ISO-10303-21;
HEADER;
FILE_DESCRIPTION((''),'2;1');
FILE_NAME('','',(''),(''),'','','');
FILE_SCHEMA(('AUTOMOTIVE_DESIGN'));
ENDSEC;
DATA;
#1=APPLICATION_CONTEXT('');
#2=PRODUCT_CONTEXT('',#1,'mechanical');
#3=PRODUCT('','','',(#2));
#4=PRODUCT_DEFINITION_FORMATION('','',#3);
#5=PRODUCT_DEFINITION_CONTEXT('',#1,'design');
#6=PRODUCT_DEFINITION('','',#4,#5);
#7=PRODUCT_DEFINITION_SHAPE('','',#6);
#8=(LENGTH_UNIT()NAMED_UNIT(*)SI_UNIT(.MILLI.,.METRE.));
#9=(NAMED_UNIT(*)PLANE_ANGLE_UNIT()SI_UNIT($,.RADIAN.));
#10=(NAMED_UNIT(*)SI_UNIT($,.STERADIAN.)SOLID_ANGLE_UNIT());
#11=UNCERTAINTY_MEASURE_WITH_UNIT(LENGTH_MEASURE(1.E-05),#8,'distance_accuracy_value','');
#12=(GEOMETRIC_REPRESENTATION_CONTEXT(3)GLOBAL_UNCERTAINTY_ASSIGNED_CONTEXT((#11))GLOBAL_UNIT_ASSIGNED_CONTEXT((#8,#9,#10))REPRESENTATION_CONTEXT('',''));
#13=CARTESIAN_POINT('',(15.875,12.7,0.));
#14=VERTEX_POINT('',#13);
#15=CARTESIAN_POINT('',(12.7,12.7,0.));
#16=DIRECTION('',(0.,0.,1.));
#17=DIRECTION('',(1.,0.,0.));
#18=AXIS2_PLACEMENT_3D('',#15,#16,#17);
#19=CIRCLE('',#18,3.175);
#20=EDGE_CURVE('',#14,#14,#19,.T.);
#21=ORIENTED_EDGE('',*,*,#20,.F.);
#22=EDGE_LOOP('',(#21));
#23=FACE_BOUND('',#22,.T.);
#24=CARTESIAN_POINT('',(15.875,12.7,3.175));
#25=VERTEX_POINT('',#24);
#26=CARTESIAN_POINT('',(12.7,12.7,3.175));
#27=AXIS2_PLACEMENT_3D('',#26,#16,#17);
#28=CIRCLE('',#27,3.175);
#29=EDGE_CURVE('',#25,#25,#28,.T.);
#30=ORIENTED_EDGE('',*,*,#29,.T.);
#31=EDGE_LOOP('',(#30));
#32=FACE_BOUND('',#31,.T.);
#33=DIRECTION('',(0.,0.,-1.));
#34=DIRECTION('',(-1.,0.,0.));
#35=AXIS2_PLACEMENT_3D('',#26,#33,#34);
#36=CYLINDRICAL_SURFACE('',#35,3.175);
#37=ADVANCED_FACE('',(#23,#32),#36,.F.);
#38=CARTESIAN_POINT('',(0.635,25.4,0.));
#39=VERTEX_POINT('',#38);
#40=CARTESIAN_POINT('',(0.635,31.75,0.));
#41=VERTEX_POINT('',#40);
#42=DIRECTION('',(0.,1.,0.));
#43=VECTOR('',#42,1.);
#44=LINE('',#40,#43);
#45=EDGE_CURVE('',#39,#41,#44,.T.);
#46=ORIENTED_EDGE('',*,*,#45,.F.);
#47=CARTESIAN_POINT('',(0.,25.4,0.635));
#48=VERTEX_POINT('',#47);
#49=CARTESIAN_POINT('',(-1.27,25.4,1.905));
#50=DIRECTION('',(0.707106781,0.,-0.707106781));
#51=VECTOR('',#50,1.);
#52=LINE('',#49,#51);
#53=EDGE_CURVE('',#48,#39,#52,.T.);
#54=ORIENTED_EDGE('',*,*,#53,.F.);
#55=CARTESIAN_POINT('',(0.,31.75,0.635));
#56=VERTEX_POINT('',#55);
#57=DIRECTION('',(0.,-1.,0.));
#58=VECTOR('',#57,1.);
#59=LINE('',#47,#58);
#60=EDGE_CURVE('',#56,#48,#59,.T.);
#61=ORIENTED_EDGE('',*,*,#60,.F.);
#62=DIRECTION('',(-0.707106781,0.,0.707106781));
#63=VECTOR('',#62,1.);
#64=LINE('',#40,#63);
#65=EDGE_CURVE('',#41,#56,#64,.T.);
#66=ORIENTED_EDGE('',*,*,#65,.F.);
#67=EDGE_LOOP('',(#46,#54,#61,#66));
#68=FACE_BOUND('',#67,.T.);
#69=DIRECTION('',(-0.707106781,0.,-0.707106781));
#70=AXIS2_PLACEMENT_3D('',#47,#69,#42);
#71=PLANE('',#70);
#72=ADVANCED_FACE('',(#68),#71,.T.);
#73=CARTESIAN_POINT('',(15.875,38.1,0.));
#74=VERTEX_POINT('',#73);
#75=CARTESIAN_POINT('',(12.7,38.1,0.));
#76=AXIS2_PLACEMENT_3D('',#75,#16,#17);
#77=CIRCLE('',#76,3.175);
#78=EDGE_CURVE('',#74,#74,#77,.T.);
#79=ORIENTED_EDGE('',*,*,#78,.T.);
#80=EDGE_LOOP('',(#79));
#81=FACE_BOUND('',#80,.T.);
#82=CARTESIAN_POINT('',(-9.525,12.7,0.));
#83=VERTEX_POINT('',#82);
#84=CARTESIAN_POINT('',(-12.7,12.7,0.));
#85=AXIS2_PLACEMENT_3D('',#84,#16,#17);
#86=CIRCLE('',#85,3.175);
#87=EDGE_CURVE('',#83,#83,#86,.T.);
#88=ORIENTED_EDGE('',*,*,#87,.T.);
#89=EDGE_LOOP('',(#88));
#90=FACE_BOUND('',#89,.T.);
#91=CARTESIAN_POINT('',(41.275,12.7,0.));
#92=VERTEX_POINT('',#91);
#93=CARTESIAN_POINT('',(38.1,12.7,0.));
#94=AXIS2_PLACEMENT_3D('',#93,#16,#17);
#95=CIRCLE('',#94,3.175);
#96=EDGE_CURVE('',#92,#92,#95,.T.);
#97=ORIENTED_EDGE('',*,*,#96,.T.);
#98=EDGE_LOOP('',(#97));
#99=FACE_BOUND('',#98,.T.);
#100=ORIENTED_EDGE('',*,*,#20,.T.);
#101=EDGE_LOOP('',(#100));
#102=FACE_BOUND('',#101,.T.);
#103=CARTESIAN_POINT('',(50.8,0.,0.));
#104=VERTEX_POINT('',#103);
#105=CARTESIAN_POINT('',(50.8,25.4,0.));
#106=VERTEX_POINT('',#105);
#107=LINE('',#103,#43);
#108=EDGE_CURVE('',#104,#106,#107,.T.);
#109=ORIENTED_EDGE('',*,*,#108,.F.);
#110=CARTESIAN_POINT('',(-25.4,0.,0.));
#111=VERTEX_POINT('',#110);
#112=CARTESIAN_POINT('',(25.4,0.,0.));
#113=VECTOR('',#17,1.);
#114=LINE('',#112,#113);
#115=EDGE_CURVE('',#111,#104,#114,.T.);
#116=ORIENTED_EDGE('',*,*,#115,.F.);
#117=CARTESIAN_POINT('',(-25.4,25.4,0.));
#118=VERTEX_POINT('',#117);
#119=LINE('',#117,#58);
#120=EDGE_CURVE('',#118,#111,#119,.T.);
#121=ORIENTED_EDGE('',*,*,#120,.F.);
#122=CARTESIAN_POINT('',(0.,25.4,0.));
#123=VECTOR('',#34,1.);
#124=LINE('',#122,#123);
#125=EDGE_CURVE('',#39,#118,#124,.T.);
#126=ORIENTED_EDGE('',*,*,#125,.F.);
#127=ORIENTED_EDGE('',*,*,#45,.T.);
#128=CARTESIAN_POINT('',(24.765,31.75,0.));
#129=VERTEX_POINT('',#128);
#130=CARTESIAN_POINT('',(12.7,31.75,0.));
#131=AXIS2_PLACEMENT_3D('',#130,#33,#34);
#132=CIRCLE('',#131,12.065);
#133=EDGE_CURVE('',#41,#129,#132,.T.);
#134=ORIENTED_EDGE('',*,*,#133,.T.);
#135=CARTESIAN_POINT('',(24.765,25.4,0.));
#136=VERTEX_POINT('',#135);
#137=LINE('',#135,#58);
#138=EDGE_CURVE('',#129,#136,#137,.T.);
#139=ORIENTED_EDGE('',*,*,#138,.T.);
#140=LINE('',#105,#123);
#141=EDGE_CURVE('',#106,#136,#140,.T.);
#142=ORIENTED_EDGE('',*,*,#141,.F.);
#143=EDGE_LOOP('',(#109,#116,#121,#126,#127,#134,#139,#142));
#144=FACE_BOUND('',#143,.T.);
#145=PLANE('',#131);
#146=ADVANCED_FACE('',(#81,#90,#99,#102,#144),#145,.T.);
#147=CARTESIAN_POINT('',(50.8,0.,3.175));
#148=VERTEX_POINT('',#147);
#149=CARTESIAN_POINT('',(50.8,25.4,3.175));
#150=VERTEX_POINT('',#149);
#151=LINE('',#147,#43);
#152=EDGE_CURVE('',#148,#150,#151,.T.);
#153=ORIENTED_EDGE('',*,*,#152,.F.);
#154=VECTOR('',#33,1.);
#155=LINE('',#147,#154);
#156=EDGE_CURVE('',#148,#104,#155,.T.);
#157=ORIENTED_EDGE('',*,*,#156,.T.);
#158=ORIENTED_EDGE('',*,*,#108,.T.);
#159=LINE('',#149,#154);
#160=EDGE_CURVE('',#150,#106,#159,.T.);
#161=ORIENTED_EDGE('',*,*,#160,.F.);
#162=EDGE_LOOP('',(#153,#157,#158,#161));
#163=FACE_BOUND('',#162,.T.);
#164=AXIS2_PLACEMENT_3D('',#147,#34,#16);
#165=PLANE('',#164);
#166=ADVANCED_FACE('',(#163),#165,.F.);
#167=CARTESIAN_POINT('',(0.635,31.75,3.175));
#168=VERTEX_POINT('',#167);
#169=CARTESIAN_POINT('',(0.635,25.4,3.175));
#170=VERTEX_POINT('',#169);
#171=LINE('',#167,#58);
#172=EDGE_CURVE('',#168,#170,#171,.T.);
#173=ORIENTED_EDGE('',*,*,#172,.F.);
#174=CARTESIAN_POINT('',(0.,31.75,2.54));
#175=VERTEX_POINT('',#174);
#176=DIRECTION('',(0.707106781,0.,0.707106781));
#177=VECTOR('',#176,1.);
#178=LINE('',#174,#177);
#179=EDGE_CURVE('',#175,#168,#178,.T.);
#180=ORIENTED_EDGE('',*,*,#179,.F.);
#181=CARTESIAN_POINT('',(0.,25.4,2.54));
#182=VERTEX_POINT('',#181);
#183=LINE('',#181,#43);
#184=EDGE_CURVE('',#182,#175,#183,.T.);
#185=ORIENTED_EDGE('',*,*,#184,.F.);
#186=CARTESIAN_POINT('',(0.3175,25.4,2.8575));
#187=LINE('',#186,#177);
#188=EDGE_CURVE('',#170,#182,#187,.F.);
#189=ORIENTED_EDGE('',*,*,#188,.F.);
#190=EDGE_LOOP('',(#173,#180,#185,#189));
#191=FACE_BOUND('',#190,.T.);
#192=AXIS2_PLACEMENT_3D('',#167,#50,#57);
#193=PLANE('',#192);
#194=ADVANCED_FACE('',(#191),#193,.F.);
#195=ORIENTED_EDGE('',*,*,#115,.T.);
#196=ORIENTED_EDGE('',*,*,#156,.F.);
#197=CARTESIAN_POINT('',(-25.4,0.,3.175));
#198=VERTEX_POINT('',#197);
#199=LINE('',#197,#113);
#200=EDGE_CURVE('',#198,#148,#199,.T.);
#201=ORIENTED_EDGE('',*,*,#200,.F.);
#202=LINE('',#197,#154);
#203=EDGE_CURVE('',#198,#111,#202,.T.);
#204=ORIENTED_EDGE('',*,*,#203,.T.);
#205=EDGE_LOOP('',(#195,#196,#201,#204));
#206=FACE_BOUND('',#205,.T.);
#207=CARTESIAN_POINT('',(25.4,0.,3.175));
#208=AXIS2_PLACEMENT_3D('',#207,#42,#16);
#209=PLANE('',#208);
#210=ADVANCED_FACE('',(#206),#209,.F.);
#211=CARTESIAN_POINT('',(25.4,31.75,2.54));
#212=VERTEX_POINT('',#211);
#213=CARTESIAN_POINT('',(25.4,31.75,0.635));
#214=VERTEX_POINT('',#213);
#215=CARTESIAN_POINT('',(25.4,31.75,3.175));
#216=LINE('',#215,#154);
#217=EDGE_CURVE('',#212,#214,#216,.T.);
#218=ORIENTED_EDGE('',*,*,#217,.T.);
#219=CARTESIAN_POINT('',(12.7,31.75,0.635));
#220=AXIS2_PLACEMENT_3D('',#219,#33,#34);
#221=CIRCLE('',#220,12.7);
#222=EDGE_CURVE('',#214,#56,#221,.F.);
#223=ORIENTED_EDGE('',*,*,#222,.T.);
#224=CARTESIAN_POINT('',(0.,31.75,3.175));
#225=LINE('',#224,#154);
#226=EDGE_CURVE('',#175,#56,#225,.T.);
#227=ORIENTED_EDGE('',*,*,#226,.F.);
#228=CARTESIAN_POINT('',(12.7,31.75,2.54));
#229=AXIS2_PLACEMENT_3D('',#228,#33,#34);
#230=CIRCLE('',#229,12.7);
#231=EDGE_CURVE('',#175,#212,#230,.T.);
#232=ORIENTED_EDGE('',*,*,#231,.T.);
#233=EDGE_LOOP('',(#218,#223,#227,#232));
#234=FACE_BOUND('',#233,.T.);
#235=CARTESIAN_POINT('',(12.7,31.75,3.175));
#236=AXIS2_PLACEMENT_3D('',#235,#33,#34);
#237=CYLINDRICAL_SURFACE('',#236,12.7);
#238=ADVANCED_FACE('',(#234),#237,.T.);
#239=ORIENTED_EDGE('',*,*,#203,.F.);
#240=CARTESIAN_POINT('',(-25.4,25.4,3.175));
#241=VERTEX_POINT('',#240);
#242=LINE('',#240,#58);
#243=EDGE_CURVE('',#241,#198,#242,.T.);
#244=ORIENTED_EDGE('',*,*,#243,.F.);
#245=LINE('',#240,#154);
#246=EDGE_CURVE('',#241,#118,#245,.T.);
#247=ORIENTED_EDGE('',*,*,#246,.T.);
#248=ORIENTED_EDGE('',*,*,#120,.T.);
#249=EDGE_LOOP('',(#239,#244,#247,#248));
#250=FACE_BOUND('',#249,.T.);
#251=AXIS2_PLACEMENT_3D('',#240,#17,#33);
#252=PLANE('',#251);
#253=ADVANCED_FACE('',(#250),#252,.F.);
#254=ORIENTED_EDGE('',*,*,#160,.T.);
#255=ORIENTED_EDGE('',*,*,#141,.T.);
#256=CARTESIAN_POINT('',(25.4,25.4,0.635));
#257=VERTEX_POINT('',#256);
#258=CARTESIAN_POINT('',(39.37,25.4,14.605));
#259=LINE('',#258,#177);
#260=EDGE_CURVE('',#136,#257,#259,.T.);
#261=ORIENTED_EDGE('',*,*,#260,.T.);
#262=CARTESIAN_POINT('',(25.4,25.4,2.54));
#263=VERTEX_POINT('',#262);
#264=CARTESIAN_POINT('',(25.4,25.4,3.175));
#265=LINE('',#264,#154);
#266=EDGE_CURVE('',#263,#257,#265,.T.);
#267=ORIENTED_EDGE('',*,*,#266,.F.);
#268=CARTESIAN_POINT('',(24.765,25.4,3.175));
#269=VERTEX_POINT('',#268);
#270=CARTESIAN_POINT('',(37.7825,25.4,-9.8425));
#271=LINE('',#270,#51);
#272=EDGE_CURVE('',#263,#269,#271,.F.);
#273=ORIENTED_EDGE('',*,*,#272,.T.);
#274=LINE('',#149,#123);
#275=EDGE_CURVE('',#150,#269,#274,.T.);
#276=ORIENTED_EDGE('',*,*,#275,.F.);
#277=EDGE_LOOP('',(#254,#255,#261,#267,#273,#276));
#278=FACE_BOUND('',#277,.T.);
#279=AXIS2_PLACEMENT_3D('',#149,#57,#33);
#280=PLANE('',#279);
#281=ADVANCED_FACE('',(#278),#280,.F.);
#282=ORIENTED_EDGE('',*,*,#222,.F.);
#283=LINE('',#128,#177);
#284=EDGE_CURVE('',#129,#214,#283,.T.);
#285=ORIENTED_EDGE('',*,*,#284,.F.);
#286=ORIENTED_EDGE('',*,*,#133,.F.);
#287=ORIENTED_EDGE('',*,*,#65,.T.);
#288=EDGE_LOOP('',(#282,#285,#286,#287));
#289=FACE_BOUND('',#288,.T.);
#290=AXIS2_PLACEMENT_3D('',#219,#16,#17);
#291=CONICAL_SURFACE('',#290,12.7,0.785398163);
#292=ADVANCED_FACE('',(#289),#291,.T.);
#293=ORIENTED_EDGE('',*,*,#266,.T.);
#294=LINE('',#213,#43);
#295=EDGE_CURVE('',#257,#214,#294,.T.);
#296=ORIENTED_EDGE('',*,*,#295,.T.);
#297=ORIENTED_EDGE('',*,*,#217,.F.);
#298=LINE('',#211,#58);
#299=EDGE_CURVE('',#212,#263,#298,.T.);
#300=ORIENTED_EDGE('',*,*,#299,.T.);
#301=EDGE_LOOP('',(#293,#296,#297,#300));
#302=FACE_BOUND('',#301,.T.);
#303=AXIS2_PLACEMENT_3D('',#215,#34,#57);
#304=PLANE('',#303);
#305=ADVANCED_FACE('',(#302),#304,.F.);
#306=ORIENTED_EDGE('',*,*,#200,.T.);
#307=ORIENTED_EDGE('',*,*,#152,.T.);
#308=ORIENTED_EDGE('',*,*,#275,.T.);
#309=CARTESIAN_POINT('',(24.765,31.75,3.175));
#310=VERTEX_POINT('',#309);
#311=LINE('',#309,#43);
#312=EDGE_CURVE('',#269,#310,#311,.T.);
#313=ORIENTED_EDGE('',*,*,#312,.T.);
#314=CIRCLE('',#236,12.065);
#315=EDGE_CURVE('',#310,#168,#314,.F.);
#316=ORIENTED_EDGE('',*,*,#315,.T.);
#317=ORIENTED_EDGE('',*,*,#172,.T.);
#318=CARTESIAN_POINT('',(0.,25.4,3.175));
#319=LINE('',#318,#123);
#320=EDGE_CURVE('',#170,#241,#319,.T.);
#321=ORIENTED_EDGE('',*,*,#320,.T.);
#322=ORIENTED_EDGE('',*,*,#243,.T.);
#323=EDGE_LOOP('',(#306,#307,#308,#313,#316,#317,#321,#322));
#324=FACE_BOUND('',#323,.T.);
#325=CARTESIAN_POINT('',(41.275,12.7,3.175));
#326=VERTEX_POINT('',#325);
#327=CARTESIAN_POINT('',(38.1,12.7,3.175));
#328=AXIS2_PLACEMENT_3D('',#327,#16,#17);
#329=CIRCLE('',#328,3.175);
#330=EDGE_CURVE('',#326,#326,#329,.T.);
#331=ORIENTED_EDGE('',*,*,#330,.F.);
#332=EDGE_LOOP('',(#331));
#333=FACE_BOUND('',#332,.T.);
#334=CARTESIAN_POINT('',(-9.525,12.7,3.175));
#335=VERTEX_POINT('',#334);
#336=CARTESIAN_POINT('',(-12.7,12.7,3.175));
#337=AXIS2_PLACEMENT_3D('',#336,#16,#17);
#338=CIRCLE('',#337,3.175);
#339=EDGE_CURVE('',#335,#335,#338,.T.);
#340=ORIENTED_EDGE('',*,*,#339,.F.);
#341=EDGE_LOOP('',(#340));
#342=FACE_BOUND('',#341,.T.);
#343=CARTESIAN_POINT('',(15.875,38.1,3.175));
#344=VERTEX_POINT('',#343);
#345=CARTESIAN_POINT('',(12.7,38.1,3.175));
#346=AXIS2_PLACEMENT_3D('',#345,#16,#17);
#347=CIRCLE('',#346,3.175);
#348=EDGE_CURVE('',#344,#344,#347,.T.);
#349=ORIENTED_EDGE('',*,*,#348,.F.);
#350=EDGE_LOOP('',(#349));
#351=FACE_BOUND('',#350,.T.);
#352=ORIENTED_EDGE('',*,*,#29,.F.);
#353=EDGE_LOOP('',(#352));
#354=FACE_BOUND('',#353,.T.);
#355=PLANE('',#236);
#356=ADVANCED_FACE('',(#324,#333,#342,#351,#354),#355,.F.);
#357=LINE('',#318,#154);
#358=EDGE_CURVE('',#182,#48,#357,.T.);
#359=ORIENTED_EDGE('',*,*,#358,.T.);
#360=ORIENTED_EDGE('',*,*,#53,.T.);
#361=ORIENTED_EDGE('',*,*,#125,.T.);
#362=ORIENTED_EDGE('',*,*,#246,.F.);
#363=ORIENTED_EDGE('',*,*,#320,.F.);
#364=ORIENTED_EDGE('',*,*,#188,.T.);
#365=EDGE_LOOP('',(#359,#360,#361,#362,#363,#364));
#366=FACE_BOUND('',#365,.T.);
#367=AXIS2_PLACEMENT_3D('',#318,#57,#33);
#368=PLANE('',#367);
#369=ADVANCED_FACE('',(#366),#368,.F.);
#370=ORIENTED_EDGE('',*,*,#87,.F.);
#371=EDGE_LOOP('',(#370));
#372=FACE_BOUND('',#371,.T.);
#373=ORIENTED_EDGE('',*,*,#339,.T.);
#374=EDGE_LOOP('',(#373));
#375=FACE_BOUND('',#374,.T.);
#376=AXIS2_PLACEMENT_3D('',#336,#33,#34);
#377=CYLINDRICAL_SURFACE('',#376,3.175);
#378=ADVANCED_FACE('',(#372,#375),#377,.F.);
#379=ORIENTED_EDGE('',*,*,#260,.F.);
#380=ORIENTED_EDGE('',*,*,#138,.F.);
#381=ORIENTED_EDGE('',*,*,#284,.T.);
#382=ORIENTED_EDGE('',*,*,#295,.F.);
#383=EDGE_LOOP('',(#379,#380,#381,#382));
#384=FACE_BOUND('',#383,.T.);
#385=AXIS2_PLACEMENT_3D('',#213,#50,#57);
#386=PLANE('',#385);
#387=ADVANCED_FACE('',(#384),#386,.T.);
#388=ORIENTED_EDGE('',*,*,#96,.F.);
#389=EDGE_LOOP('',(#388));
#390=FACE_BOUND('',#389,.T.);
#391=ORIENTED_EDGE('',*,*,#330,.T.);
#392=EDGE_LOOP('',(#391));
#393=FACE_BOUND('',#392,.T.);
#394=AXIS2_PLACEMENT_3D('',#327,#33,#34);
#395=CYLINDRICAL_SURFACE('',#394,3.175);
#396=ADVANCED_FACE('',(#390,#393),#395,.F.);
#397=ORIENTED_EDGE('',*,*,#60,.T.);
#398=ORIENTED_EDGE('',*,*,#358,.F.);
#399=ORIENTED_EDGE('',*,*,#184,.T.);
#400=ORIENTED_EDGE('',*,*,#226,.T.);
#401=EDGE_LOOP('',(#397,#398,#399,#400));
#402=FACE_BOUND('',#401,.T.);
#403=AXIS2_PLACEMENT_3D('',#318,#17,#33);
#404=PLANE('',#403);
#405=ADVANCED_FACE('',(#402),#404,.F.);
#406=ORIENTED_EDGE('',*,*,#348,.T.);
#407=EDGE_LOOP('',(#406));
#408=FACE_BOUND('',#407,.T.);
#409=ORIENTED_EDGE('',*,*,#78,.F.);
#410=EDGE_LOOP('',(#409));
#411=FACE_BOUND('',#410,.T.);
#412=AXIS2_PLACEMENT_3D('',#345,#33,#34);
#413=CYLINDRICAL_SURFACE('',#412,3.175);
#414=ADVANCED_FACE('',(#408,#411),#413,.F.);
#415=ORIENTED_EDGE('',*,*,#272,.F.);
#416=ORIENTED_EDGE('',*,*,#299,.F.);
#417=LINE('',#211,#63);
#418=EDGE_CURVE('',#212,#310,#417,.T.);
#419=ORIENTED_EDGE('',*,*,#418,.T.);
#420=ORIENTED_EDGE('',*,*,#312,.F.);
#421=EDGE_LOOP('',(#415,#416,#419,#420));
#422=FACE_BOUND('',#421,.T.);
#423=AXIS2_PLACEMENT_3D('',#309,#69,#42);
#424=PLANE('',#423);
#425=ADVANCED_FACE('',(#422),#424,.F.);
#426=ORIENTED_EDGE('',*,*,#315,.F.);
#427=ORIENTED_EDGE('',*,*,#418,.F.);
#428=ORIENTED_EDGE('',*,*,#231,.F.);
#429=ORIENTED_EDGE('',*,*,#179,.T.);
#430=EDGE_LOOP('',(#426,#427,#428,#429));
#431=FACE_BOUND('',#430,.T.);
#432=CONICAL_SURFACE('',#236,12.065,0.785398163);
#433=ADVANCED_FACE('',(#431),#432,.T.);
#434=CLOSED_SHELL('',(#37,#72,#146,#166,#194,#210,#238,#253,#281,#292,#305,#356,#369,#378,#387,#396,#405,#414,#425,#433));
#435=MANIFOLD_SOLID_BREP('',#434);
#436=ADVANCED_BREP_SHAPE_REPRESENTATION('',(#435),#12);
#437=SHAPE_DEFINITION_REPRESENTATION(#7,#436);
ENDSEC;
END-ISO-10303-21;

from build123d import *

# Parameters (mm, degrees)
SKETCH1_R           = 3.175
BOSS_EXTRUDE1_DEPTH = 3.175
CHAMFER2_SIZE       = 0.635


with BuildPart() as part:
    # Sketch1 → Boss-Extrude1 (new body)
    with BuildSketch(Plane.XY):
        with BuildLine():
            Line((0, 0), (25.4, 0))
            Line((25.4, 0), (50.8, 0))
            Line((50.8, 0), (50.8, 25.4))
            Line((50.8, 25.4), (25.4, 25.4))
            Line((25.4, 25.4), (25.4, 31.75))
            ThreePointArc((25.4, 31.75), (12.7, 44.45), (0, 31.75))
            Line((0, 31.75), (0, 25.4))
            Line((0, 25.4), (-25.4, 25.4))
            Line((-25.4, 25.4), (-25.4, 0))
            Line((-25.4, 0), (0, 0))
        make_face()
        with Locations((12.7, 38.1)):
            Circle(SKETCH1_R, mode=Mode.SUBTRACT)
        with Locations((12.7, 12.7)):
            Circle(SKETCH1_R, mode=Mode.SUBTRACT)
        with Locations((38.1, 12.7)):
            Circle(SKETCH1_R, mode=Mode.SUBTRACT)
        with Locations((-12.7, 12.7)):
            Circle(SKETCH1_R, mode=Mode.SUBTRACT)
    extrude(amount=BOSS_EXTRUDE1_DEPTH)

    # Chamfer2
    chamfer2_edges = [part.edges().sort_by_distance(p)[0] for p in [
        (0, 28.575, 0),
        (12.7, 44.45, 0),
        (25.4, 28.575, 0),
        (25.4, 28.575, 3.175),
        (12.7, 44.45, 3.175),
        (0, 28.575, 3.175),
    ]]
    chamfer(chamfer2_edges, length=CHAMFER2_SIZE)


solid = part.part
